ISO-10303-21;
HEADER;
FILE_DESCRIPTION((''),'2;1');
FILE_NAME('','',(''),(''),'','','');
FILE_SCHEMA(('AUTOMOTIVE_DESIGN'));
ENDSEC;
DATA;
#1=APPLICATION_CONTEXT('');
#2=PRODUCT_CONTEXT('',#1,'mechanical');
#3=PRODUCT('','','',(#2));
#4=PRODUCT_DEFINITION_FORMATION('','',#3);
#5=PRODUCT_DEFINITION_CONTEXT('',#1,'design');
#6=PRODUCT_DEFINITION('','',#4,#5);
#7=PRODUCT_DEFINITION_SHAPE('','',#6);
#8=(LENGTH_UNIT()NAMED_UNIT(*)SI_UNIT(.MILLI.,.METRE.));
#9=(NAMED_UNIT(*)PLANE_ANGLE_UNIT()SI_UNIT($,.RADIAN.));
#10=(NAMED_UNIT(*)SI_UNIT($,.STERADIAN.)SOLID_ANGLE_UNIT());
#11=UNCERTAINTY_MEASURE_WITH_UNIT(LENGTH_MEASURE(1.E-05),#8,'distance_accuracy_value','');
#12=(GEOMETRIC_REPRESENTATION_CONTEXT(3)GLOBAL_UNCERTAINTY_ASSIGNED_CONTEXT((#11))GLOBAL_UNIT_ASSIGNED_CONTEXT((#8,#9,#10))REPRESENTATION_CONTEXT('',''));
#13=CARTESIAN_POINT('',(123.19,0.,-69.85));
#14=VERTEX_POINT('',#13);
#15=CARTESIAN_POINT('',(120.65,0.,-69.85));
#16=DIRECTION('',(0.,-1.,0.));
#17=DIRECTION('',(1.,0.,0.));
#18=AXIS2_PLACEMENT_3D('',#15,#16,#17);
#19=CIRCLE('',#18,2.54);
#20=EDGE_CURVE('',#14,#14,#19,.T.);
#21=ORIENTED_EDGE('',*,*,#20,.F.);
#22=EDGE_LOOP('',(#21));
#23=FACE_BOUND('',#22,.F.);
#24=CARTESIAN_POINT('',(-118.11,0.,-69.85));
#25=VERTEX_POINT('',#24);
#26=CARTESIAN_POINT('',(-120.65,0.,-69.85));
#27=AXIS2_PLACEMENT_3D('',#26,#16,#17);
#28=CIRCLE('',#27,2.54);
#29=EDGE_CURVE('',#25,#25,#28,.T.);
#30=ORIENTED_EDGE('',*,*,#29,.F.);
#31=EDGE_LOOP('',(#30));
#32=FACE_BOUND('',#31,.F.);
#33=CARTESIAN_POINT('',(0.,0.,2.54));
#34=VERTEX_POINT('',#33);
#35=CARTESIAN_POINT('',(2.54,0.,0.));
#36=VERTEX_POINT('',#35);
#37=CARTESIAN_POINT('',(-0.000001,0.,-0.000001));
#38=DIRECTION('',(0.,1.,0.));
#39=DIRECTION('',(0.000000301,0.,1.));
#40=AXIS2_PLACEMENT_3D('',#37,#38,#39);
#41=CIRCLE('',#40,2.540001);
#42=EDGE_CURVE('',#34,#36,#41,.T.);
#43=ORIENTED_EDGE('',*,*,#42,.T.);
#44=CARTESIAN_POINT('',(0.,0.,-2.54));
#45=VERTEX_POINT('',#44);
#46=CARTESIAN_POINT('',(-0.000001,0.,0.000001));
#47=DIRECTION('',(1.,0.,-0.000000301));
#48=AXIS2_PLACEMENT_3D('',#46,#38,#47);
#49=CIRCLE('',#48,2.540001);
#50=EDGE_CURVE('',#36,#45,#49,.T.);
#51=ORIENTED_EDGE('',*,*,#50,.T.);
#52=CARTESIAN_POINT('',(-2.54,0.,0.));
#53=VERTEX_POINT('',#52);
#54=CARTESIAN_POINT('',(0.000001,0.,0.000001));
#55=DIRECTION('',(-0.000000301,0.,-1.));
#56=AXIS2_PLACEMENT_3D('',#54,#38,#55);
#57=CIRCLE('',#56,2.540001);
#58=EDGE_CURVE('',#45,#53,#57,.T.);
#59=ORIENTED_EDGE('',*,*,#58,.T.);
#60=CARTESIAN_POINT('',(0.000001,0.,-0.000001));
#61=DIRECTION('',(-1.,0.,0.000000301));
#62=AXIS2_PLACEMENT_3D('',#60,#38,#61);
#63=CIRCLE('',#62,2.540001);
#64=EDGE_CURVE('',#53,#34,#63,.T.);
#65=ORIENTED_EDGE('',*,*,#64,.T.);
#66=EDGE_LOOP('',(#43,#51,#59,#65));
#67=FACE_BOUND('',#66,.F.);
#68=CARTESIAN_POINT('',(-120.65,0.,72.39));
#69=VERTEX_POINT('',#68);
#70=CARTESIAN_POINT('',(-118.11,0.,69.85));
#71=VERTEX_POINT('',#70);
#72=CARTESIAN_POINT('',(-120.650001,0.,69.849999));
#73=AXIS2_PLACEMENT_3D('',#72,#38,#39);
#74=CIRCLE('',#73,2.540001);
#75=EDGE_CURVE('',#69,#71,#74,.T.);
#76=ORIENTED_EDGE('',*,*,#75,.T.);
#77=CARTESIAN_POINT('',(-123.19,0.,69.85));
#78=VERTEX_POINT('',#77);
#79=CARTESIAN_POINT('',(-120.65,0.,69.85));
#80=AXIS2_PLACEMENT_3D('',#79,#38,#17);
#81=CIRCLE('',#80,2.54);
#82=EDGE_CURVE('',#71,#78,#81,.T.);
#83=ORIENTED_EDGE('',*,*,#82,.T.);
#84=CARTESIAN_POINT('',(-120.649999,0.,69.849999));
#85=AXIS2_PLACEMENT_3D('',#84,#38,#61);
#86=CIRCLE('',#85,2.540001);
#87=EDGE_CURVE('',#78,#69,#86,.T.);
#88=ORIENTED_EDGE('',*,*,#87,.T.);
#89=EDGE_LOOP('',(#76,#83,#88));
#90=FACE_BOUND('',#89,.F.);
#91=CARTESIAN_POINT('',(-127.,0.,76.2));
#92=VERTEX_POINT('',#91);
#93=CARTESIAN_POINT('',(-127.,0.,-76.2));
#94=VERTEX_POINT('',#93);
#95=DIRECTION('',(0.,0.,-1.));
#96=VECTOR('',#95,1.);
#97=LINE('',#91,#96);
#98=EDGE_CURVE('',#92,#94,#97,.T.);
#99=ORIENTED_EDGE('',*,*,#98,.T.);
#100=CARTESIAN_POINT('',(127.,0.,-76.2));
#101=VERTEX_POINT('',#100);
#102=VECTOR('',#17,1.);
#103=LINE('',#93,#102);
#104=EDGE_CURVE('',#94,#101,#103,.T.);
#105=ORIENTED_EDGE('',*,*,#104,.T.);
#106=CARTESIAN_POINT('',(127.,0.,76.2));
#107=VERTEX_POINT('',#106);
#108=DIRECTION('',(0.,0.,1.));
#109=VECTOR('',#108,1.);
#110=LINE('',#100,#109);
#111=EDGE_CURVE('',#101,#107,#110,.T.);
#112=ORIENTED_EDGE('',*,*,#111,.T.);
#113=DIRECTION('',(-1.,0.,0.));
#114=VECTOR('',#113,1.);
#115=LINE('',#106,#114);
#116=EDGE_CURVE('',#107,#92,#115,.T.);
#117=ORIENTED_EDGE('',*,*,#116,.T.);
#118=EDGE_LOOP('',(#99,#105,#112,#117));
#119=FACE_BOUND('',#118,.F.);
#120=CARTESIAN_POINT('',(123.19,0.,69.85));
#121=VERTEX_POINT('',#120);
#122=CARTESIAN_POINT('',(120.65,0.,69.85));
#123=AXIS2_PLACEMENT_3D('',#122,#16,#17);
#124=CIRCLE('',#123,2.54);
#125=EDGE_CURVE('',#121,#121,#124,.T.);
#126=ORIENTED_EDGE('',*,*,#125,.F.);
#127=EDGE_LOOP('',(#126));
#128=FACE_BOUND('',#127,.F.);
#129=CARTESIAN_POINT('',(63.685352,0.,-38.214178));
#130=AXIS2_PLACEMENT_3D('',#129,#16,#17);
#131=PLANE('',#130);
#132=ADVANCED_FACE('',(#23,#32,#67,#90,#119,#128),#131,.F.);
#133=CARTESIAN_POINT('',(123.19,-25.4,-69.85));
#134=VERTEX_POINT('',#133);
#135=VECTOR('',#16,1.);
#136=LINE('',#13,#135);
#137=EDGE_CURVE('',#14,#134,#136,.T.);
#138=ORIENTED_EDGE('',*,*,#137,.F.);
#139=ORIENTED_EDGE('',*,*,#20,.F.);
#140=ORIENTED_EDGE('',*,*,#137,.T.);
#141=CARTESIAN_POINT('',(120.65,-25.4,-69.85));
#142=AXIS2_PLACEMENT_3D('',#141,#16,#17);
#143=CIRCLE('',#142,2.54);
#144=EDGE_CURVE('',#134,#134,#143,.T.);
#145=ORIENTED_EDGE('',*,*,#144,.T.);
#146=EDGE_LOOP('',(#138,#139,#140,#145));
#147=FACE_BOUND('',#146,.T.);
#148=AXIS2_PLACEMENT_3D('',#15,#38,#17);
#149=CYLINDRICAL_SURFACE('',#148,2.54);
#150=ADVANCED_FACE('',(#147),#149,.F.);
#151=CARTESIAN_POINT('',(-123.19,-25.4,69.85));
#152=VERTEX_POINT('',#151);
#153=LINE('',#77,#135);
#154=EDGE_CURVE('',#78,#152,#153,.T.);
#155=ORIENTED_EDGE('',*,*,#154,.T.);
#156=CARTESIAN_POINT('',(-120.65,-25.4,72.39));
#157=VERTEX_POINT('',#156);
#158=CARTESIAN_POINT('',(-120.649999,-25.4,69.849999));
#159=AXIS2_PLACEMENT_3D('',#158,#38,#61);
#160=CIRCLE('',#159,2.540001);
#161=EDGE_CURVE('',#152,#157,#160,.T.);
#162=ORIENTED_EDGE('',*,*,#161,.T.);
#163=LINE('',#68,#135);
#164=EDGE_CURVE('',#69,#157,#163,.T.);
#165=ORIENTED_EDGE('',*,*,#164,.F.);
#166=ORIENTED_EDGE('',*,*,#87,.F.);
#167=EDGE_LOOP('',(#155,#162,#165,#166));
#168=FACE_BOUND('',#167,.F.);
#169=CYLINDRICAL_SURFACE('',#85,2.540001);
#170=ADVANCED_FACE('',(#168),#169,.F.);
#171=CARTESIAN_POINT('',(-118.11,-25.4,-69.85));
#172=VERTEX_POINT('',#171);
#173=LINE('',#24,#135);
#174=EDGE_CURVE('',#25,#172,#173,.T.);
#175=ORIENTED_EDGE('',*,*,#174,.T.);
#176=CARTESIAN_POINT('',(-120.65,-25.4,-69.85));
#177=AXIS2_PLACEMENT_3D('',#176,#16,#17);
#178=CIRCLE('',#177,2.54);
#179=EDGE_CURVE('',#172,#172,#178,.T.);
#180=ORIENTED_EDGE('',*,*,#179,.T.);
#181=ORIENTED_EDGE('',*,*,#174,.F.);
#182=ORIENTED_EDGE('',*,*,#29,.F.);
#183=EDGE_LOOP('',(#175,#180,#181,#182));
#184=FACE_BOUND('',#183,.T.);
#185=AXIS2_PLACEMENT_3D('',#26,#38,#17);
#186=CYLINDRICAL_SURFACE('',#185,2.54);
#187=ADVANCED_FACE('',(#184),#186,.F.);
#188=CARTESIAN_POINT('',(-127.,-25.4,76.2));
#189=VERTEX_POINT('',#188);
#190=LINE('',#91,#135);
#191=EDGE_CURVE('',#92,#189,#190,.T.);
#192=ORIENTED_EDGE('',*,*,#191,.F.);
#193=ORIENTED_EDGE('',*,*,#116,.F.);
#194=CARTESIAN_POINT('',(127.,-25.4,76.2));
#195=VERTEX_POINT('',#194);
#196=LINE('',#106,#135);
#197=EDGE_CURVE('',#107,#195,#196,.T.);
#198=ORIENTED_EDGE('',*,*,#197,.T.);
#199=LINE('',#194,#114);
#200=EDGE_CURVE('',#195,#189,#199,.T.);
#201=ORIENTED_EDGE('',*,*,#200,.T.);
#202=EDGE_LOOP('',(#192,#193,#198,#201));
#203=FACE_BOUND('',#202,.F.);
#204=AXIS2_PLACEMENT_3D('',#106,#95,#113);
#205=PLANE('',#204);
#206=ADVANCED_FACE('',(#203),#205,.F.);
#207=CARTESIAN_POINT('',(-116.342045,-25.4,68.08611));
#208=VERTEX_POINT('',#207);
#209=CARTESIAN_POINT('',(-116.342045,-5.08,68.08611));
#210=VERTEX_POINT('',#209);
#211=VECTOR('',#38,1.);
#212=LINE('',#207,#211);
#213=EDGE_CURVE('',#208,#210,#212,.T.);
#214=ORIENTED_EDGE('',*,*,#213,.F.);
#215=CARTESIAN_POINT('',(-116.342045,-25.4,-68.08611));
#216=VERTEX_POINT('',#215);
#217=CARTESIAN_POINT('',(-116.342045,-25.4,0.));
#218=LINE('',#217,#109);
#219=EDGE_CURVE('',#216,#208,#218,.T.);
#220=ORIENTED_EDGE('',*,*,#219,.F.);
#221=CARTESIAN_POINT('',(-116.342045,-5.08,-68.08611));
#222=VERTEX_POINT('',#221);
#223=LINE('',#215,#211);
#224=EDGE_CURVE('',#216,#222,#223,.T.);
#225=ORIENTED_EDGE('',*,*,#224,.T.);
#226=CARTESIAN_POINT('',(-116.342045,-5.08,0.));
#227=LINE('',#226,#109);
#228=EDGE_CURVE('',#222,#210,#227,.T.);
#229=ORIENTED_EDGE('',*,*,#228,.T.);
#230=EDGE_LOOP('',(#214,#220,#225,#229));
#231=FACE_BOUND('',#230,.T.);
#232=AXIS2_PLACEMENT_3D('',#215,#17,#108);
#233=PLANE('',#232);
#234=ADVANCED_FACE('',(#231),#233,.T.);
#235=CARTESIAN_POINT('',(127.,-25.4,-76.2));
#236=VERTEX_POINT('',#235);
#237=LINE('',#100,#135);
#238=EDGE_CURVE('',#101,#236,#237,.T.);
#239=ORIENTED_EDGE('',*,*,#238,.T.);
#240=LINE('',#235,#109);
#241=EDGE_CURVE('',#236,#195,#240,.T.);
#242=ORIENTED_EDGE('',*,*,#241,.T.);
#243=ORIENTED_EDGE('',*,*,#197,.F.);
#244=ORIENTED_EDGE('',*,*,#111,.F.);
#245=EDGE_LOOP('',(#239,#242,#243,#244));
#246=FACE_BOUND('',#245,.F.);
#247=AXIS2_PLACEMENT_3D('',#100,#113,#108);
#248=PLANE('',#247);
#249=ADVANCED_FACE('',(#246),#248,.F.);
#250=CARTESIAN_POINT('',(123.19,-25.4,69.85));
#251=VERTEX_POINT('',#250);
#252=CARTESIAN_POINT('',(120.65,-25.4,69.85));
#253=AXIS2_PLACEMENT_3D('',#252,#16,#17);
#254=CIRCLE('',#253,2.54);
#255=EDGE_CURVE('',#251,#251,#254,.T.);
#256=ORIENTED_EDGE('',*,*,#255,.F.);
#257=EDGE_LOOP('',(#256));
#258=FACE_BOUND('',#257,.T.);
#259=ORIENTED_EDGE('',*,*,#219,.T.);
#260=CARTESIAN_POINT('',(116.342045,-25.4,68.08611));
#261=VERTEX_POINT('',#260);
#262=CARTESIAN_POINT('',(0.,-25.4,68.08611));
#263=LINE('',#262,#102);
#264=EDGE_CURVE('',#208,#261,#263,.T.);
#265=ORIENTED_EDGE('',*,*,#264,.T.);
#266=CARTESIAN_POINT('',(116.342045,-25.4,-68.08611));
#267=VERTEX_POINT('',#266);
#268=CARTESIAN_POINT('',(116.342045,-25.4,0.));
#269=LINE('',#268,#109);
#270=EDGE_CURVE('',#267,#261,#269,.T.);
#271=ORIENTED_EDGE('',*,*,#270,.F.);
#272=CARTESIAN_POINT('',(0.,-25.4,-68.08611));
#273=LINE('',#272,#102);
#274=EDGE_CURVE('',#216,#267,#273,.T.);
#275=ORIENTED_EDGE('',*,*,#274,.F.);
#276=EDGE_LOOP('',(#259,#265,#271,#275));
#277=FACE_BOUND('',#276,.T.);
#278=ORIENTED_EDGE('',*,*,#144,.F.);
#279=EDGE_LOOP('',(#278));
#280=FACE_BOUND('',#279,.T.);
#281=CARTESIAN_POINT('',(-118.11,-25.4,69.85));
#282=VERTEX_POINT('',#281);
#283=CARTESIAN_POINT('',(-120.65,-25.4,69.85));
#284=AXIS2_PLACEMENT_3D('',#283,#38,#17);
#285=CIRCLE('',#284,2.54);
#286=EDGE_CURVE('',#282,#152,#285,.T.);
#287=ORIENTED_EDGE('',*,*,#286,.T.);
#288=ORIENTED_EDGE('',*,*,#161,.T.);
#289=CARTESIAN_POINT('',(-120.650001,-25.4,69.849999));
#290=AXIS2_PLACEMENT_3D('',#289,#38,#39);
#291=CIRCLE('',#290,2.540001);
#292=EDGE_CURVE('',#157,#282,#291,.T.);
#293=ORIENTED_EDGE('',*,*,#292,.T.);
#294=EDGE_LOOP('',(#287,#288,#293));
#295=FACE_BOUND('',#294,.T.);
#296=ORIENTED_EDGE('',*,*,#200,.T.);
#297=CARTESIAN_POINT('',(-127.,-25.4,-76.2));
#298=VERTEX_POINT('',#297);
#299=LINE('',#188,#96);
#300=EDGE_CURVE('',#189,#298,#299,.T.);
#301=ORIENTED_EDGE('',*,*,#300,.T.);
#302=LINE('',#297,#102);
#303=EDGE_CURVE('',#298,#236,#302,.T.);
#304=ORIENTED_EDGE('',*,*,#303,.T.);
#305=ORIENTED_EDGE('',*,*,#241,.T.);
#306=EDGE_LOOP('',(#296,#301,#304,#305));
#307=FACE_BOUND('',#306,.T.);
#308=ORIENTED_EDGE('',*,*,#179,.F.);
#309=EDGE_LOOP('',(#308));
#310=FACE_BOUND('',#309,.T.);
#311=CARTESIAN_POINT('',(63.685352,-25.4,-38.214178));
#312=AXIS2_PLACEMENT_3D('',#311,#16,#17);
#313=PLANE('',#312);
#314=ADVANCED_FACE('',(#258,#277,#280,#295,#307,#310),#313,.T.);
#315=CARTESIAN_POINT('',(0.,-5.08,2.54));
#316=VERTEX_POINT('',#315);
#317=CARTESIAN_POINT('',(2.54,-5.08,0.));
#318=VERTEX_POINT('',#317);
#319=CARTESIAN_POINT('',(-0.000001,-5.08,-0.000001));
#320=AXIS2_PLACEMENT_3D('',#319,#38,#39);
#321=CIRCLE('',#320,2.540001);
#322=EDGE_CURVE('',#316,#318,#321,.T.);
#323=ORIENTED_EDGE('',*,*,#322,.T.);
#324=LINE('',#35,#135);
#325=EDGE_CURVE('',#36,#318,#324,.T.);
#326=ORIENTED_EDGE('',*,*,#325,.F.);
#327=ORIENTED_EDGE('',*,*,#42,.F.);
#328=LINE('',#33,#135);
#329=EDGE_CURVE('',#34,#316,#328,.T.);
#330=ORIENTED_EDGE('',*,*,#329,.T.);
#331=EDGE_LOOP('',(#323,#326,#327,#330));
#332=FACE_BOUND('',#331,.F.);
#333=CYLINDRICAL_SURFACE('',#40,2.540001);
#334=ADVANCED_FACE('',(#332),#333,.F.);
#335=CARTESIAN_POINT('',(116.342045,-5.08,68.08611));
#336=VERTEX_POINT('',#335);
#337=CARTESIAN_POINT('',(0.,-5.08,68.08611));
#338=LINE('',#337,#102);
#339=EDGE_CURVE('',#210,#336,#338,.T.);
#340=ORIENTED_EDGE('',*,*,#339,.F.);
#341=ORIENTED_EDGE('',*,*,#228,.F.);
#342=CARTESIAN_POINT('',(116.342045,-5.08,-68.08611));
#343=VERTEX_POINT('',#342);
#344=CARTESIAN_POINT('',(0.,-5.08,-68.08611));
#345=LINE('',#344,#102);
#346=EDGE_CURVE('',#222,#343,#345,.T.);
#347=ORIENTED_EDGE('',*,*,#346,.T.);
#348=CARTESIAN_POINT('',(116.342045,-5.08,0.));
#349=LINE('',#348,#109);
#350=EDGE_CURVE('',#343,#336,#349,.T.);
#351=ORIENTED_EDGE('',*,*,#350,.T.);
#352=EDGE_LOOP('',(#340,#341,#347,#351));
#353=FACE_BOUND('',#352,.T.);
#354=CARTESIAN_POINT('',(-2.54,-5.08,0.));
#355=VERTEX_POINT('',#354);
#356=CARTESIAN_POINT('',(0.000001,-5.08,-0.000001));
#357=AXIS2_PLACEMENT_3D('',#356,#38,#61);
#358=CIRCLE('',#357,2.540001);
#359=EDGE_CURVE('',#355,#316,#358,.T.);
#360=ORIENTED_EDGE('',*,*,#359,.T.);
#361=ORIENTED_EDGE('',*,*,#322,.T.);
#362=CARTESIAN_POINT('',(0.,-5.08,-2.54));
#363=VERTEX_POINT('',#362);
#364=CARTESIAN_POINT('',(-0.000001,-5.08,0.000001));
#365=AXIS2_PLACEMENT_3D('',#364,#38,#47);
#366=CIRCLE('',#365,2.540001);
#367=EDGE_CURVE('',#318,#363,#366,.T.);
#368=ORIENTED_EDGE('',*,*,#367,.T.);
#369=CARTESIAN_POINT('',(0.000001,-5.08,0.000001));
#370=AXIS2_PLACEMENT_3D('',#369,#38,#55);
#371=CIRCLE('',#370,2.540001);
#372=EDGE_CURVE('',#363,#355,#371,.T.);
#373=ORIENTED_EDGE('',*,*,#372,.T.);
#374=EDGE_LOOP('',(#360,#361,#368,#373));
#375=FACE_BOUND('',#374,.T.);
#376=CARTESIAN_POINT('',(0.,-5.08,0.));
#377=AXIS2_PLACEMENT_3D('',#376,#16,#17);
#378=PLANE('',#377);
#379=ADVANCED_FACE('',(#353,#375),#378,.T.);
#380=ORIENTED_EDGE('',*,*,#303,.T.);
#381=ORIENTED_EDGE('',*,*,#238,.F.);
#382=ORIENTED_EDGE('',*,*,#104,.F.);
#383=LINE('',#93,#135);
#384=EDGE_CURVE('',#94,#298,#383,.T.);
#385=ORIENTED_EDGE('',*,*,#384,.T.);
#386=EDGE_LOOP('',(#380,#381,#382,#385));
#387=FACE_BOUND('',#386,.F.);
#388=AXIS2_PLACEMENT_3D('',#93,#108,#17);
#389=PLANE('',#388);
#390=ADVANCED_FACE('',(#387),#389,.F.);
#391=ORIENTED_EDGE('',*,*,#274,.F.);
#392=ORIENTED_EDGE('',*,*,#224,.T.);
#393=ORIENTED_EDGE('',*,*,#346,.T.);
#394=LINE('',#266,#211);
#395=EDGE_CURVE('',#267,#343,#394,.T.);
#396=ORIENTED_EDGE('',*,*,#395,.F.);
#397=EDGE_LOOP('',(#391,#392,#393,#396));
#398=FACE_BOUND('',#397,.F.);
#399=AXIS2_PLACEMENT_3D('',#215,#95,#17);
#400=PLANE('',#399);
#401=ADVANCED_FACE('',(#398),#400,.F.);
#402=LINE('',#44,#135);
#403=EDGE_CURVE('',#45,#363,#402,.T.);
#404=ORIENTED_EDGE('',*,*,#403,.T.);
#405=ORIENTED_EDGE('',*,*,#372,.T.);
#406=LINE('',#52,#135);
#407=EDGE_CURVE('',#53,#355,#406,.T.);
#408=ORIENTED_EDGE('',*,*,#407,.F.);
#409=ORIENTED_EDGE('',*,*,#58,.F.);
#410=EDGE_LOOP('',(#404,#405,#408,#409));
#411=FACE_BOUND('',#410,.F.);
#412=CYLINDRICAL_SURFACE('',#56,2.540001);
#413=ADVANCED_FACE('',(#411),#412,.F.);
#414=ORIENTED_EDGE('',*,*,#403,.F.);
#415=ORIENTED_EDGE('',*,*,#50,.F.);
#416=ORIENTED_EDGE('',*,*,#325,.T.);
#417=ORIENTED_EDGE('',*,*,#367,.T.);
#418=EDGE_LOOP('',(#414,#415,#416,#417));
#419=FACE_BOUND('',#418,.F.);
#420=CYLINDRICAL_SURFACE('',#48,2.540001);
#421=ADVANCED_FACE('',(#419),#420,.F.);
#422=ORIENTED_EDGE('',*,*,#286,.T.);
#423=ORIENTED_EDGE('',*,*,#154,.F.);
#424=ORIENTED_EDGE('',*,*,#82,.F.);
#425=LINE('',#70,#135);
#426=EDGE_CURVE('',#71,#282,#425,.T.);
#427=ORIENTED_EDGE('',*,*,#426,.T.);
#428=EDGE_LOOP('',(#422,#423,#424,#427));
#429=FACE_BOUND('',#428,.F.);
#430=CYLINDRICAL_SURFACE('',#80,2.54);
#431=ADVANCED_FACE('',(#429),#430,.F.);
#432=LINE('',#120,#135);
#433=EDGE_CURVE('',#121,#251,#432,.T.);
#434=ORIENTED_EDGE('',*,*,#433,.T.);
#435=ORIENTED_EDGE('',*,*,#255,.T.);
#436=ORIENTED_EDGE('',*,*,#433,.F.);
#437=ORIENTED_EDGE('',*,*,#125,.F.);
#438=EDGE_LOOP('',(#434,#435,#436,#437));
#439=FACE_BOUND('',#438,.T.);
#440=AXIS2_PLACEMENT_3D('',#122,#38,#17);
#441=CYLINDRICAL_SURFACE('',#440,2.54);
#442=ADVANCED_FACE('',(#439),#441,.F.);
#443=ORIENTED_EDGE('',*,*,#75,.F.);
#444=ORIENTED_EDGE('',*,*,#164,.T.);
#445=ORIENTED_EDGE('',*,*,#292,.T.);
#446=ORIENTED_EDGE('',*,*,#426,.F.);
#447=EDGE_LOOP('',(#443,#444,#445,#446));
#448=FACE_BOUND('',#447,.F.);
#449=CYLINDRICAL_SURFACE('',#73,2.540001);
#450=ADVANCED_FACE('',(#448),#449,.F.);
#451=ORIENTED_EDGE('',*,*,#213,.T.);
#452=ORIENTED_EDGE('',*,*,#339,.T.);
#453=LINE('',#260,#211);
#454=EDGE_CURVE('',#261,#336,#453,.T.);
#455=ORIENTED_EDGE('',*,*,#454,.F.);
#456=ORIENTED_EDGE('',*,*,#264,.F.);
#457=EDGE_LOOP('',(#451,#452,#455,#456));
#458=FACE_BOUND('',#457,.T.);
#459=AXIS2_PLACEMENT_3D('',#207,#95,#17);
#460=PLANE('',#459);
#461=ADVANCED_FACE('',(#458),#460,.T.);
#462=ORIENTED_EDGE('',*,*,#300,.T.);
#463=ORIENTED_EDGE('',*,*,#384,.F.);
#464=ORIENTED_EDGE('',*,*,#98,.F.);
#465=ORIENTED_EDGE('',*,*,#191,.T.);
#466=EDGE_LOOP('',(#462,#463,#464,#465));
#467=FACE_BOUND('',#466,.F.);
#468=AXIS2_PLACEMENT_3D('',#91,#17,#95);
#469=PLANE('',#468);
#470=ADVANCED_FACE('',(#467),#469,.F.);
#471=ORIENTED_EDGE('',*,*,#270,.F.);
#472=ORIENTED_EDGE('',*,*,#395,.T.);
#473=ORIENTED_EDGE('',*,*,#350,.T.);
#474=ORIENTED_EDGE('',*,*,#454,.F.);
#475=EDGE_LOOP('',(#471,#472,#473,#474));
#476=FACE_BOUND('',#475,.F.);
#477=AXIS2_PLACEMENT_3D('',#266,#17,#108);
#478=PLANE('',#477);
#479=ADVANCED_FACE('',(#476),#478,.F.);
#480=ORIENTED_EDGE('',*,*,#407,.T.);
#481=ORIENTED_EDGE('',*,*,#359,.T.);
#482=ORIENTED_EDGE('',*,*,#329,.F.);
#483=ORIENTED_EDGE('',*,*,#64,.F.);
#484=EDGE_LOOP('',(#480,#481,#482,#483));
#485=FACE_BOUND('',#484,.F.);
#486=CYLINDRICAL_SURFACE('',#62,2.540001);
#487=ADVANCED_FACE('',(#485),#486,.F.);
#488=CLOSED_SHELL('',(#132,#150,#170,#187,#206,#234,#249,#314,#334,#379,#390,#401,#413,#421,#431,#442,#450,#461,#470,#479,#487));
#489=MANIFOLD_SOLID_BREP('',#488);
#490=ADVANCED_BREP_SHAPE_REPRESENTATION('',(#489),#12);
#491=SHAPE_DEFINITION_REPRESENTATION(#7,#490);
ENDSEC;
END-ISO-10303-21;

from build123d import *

# Parameters (mm, degrees)
F0_R     = 2.54
F1_DEPTH = 25.4
F2_W     = 232.68409
F2_H     = 136.17222
F3_DEPTH = 20.32


with BuildPart() as f1:
    # F0 (on Front) → F1 (new body)
    with BuildSketch(Plane.XZ):
        with BuildLine():
            Line((0, -76.2), (127, -76.2))
            Line((127, -76.2), (127, 0))
            Line((127, 0), (2.54, 0))
            ThreePointArc((2.54, 0), (1.796051, -1.796051), (0, -2.54))
            Line((0, -2.54), (0, -76.2))
        make_face()
        with Locations((120.65, -69.85)):
            Circle(F0_R, mode=Mode.SUBTRACT)
        with BuildLine():
            Line((-127, -76.2), (0, -76.2))
            Line((0, -76.2), (0, -2.54))
            ThreePointArc((0, -2.54), (-1.796051, -1.796051), (-2.54, 0))
            Line((-2.54, 0), (-127, 0))
            Line((-127, 0), (-127, -76.2))
        make_face()
        with Locations((-120.65, -69.85)):
            Circle(F0_R, mode=Mode.SUBTRACT)
        with BuildLine():
            Line((2.54, 0), (127, 0))
            Line((127, 0), (127, 76.2))
            Line((127, 76.2), (0, 76.2))
            Line((0, 76.2), (0, 2.54))
            ThreePointArc((0, 2.54), (1.796051, 1.796051), (2.54, 0))
        make_face()
        with Locations((120.65, 69.85)):
            Circle(F0_R, mode=Mode.SUBTRACT)
        with BuildLine():
            Line((-127, 69.85), (-127, 0))
            Line((-127, 0), (-2.54, 0))
            ThreePointArc((-2.54, 0), (-1.796051, 1.796051), (0, 2.54))
            Line((0, 2.54), (0, 76.2))
            Line((0, 76.2), (-120.65, 76.2))
            Line((-120.65, 76.2), (-120.65, 72.39))
            ThreePointArc((-120.65, 72.39), (-118.853949, 71.646051), (-118.11, 69.85))
            ThreePointArc((-118.11, 69.85), (-120.65, 67.31), (-123.19, 69.85))
            Line((-123.19, 69.85), (-127, 69.85))
        make_face()
        with BuildLine():
            Line((-127, 76.2), (-127, 69.85))
            Line((-127, 69.85), (-123.19, 69.85))
            ThreePointArc((-123.19, 69.85), (-122.446051, 71.646051), (-120.65, 72.39))
            Line((-120.65, 72.39), (-120.65, 76.2))
            Line((-120.65, 76.2), (-127, 76.2))
        make_face()
    extrude(amount=F1_DEPTH)

    # F2 (on face) → F3 (cut)
    with BuildSketch(Plane.XZ.offset(25.4)):
        Rectangle(F2_W, F2_H)
    extrude(amount=-F3_DEPTH, mode=Mode.SUBTRACT)


solid = f1.part
